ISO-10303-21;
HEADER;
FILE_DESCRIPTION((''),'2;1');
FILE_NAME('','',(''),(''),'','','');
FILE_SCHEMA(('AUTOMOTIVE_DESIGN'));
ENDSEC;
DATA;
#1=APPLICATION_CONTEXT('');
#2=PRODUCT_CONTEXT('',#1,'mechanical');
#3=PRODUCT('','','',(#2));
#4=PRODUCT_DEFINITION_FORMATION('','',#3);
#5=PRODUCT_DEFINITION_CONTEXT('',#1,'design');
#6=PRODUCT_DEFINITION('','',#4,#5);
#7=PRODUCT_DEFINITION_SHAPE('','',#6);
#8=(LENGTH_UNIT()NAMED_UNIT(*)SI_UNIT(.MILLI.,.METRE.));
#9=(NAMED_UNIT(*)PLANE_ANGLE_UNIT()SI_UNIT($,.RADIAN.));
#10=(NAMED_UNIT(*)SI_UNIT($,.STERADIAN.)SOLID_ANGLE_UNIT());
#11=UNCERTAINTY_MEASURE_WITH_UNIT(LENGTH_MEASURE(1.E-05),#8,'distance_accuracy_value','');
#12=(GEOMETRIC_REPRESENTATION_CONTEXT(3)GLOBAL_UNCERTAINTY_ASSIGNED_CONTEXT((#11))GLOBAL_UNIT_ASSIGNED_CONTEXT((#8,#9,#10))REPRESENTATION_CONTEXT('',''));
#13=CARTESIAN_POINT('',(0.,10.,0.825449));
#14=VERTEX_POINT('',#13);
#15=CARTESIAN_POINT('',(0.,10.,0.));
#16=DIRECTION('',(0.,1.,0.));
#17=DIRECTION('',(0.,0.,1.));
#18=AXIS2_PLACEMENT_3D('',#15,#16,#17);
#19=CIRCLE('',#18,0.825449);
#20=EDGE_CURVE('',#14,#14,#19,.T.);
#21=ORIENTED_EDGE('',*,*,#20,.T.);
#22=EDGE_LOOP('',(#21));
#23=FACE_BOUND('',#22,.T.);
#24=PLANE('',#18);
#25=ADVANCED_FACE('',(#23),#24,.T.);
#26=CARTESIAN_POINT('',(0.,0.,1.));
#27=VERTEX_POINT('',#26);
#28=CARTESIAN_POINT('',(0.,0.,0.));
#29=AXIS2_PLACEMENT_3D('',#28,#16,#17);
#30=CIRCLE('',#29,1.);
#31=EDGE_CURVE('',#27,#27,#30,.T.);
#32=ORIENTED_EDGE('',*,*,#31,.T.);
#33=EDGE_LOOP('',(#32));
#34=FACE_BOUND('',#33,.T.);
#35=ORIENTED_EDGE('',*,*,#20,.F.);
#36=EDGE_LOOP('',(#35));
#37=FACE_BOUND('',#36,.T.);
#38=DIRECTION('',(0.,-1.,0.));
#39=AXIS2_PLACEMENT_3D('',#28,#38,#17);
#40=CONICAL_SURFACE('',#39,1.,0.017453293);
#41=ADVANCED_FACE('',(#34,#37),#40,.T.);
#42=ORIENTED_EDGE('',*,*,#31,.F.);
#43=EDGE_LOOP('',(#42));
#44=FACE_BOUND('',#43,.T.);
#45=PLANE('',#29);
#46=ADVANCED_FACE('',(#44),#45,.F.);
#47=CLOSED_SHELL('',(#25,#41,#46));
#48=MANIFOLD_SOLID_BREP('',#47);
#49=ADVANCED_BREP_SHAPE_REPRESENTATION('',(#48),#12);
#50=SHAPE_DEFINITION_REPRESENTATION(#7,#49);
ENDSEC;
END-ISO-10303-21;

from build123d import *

# Parameters (mm, degrees)
SKETCH1_R           = 1
BOSS_EXTRUDE1_DEPTH = 10
BOSS_EXTRUDE1_TAPER = 1


with BuildPart() as part:
    # Sketch1 → Boss-Extrude1 (new body)
    with BuildSketch(Plane(origin=(0, 0, 0), x_dir=(1, 0, 0), z_dir=(0, 1, 0))):
        Circle(SKETCH1_R)
    extrude(amount=BOSS_EXTRUDE1_DEPTH, taper=BOSS_EXTRUDE1_TAPER)


solid = part.part
